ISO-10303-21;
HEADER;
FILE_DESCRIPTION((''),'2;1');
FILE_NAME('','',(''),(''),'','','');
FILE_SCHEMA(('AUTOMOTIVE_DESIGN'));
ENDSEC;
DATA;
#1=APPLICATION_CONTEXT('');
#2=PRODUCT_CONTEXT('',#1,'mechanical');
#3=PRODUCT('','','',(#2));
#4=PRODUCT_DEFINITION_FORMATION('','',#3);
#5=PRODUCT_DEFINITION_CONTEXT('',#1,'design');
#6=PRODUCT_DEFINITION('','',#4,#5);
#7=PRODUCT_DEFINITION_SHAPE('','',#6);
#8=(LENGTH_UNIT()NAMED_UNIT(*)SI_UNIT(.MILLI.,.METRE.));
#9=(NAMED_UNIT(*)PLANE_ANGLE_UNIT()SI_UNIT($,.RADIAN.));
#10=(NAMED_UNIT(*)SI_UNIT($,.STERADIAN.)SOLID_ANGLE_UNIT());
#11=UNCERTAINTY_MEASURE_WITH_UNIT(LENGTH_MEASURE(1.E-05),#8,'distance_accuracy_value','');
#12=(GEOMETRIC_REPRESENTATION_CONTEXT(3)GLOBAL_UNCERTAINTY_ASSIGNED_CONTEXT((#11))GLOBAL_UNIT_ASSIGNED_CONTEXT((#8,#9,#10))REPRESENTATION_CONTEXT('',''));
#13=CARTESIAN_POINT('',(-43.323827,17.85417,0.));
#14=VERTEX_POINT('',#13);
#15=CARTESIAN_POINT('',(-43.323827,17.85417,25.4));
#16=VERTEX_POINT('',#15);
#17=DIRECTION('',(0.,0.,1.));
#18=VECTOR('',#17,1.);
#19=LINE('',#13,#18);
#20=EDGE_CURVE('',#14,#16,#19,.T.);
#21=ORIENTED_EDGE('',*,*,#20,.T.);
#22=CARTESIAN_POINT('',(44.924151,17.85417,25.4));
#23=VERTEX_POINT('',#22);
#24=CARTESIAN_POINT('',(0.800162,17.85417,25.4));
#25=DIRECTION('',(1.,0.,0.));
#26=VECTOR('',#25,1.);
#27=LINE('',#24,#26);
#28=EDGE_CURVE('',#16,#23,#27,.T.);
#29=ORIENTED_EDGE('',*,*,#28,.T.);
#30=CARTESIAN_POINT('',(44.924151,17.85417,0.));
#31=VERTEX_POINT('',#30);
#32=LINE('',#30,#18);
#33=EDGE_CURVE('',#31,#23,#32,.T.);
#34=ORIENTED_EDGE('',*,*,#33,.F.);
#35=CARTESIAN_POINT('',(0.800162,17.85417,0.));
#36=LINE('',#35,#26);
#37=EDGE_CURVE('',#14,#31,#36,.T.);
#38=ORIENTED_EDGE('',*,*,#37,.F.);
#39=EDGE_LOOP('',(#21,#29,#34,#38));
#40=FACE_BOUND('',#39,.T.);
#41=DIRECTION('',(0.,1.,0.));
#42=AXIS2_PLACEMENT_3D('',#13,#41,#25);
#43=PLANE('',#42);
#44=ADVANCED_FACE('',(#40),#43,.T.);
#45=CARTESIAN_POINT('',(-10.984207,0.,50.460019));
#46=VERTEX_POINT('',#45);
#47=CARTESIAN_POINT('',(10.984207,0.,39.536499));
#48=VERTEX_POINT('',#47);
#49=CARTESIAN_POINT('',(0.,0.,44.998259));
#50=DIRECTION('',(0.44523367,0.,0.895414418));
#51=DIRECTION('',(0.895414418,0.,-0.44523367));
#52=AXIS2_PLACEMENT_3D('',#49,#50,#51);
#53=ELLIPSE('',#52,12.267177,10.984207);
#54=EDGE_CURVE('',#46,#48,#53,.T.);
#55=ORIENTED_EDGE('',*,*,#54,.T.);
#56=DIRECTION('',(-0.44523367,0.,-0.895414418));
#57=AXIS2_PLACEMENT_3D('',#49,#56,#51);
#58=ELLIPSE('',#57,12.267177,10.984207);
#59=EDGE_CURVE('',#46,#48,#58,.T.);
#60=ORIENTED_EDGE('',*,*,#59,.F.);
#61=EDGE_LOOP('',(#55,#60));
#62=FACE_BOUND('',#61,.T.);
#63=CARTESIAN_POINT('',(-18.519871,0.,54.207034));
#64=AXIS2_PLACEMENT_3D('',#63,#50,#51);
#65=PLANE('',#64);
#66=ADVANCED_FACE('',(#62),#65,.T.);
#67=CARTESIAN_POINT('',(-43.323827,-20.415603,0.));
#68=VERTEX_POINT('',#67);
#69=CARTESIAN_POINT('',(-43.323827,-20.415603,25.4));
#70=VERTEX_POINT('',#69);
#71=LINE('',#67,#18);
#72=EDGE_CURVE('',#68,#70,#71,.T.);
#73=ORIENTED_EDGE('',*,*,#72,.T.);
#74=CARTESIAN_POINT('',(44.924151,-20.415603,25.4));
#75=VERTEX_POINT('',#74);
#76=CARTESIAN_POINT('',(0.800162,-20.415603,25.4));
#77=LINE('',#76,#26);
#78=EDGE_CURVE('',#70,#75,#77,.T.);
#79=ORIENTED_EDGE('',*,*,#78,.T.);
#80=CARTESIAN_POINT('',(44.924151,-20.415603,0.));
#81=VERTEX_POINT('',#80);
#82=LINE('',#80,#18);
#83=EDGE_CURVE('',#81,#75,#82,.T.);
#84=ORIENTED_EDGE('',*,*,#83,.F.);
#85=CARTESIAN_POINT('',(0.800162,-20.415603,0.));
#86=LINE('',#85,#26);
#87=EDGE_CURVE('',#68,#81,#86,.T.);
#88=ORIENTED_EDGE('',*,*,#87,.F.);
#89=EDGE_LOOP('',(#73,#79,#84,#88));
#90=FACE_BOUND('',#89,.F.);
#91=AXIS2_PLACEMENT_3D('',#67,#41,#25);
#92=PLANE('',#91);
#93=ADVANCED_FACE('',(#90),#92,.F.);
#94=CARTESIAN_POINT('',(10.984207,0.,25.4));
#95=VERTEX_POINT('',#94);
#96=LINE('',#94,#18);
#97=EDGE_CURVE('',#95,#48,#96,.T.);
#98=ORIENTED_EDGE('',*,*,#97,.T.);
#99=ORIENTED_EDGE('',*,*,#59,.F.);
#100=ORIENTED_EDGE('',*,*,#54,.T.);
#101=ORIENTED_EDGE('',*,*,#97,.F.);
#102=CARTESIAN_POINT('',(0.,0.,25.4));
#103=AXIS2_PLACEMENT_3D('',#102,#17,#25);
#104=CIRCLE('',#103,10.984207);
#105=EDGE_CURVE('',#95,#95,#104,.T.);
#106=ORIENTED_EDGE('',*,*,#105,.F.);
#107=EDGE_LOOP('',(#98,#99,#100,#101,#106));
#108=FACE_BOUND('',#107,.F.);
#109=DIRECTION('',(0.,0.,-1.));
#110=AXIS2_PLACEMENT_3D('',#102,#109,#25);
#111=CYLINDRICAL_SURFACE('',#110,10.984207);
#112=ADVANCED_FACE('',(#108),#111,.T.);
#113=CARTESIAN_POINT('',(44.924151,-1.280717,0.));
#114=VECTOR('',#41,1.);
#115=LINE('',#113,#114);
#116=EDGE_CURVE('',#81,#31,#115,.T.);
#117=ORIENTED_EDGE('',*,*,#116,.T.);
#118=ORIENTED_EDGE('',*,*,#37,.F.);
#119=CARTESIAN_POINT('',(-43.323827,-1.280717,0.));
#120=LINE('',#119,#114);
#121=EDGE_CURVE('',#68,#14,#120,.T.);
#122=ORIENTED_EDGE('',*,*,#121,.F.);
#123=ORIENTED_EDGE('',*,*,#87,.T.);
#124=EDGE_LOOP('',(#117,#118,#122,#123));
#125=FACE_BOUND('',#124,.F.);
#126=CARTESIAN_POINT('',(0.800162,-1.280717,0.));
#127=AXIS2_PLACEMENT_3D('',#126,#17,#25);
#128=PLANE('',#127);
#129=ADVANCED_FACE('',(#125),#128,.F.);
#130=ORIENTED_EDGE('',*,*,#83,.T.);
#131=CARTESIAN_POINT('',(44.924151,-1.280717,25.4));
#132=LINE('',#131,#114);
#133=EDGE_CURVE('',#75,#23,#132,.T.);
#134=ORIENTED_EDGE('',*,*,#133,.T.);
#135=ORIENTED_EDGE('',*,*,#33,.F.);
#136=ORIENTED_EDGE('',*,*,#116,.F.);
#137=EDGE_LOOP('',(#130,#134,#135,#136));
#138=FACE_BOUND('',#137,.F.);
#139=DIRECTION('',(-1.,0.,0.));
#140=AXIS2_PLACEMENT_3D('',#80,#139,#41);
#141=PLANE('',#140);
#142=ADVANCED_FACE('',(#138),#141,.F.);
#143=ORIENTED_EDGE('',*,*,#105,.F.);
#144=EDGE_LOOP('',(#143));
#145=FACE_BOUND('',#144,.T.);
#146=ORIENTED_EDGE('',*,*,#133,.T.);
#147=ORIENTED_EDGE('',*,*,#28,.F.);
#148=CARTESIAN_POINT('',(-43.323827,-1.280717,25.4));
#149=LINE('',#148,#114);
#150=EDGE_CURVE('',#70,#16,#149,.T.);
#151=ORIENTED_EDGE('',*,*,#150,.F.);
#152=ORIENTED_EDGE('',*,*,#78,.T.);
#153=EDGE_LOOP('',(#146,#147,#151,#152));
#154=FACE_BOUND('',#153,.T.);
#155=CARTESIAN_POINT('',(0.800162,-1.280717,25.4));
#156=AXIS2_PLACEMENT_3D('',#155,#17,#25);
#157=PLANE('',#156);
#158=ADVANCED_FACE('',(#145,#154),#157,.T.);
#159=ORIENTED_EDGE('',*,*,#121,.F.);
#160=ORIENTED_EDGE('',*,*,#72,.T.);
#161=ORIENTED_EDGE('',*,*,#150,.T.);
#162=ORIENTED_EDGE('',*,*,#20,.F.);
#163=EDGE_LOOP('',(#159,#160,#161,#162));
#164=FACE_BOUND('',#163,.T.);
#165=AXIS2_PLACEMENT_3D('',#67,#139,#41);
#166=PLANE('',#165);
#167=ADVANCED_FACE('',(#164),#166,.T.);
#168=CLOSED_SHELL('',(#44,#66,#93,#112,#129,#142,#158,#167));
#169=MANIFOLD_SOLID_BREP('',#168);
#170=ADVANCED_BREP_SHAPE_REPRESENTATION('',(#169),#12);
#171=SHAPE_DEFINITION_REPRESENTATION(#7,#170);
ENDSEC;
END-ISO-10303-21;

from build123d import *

# Parameters (mm, degrees)
F0_W     = 88.247977
F0_H     = 38.269773
F1_DEPTH = 25.4
F2_R     = 10.984207
F3_DEPTH = 25.4
F5_DEPTH = 25.4
F6_DEPTH = 25.4


with BuildPart() as f1:
    # F0 (on Top) → F1 (new body)
    with BuildSketch(Plane.XY):
        with Locations((0.800162, -1.280717)):
            Rectangle(F0_W, F0_H)
    extrude(amount=F1_DEPTH)

    # F2 (on face) → F3 (join)
    with BuildSketch(Plane.XY.offset(25.4)):
        Circle(F2_R)
    extrude(amount=F3_DEPTH)

    # F4 (on Front) → F5 (cut)
    with BuildSketch(Plane.XZ):
        Polygon((19.144135, 55.871744), (-14.150013, 55.871744), (-18.519871, 54.207034), (19.144135, 35.479076), align=None)
    extrude(amount=-F5_DEPTH, mode=Mode.SUBTRACT)

    # F4 (on Front) → F6 (cut)
    with BuildSketch(Plane.XZ):
        Polygon((19.144135, 55.871744), (-14.150013, 55.871744), (-18.519871, 54.207034), (19.144135, 35.479076), align=None)
    extrude(amount=F6_DEPTH, mode=Mode.SUBTRACT)


solid = f1.part
